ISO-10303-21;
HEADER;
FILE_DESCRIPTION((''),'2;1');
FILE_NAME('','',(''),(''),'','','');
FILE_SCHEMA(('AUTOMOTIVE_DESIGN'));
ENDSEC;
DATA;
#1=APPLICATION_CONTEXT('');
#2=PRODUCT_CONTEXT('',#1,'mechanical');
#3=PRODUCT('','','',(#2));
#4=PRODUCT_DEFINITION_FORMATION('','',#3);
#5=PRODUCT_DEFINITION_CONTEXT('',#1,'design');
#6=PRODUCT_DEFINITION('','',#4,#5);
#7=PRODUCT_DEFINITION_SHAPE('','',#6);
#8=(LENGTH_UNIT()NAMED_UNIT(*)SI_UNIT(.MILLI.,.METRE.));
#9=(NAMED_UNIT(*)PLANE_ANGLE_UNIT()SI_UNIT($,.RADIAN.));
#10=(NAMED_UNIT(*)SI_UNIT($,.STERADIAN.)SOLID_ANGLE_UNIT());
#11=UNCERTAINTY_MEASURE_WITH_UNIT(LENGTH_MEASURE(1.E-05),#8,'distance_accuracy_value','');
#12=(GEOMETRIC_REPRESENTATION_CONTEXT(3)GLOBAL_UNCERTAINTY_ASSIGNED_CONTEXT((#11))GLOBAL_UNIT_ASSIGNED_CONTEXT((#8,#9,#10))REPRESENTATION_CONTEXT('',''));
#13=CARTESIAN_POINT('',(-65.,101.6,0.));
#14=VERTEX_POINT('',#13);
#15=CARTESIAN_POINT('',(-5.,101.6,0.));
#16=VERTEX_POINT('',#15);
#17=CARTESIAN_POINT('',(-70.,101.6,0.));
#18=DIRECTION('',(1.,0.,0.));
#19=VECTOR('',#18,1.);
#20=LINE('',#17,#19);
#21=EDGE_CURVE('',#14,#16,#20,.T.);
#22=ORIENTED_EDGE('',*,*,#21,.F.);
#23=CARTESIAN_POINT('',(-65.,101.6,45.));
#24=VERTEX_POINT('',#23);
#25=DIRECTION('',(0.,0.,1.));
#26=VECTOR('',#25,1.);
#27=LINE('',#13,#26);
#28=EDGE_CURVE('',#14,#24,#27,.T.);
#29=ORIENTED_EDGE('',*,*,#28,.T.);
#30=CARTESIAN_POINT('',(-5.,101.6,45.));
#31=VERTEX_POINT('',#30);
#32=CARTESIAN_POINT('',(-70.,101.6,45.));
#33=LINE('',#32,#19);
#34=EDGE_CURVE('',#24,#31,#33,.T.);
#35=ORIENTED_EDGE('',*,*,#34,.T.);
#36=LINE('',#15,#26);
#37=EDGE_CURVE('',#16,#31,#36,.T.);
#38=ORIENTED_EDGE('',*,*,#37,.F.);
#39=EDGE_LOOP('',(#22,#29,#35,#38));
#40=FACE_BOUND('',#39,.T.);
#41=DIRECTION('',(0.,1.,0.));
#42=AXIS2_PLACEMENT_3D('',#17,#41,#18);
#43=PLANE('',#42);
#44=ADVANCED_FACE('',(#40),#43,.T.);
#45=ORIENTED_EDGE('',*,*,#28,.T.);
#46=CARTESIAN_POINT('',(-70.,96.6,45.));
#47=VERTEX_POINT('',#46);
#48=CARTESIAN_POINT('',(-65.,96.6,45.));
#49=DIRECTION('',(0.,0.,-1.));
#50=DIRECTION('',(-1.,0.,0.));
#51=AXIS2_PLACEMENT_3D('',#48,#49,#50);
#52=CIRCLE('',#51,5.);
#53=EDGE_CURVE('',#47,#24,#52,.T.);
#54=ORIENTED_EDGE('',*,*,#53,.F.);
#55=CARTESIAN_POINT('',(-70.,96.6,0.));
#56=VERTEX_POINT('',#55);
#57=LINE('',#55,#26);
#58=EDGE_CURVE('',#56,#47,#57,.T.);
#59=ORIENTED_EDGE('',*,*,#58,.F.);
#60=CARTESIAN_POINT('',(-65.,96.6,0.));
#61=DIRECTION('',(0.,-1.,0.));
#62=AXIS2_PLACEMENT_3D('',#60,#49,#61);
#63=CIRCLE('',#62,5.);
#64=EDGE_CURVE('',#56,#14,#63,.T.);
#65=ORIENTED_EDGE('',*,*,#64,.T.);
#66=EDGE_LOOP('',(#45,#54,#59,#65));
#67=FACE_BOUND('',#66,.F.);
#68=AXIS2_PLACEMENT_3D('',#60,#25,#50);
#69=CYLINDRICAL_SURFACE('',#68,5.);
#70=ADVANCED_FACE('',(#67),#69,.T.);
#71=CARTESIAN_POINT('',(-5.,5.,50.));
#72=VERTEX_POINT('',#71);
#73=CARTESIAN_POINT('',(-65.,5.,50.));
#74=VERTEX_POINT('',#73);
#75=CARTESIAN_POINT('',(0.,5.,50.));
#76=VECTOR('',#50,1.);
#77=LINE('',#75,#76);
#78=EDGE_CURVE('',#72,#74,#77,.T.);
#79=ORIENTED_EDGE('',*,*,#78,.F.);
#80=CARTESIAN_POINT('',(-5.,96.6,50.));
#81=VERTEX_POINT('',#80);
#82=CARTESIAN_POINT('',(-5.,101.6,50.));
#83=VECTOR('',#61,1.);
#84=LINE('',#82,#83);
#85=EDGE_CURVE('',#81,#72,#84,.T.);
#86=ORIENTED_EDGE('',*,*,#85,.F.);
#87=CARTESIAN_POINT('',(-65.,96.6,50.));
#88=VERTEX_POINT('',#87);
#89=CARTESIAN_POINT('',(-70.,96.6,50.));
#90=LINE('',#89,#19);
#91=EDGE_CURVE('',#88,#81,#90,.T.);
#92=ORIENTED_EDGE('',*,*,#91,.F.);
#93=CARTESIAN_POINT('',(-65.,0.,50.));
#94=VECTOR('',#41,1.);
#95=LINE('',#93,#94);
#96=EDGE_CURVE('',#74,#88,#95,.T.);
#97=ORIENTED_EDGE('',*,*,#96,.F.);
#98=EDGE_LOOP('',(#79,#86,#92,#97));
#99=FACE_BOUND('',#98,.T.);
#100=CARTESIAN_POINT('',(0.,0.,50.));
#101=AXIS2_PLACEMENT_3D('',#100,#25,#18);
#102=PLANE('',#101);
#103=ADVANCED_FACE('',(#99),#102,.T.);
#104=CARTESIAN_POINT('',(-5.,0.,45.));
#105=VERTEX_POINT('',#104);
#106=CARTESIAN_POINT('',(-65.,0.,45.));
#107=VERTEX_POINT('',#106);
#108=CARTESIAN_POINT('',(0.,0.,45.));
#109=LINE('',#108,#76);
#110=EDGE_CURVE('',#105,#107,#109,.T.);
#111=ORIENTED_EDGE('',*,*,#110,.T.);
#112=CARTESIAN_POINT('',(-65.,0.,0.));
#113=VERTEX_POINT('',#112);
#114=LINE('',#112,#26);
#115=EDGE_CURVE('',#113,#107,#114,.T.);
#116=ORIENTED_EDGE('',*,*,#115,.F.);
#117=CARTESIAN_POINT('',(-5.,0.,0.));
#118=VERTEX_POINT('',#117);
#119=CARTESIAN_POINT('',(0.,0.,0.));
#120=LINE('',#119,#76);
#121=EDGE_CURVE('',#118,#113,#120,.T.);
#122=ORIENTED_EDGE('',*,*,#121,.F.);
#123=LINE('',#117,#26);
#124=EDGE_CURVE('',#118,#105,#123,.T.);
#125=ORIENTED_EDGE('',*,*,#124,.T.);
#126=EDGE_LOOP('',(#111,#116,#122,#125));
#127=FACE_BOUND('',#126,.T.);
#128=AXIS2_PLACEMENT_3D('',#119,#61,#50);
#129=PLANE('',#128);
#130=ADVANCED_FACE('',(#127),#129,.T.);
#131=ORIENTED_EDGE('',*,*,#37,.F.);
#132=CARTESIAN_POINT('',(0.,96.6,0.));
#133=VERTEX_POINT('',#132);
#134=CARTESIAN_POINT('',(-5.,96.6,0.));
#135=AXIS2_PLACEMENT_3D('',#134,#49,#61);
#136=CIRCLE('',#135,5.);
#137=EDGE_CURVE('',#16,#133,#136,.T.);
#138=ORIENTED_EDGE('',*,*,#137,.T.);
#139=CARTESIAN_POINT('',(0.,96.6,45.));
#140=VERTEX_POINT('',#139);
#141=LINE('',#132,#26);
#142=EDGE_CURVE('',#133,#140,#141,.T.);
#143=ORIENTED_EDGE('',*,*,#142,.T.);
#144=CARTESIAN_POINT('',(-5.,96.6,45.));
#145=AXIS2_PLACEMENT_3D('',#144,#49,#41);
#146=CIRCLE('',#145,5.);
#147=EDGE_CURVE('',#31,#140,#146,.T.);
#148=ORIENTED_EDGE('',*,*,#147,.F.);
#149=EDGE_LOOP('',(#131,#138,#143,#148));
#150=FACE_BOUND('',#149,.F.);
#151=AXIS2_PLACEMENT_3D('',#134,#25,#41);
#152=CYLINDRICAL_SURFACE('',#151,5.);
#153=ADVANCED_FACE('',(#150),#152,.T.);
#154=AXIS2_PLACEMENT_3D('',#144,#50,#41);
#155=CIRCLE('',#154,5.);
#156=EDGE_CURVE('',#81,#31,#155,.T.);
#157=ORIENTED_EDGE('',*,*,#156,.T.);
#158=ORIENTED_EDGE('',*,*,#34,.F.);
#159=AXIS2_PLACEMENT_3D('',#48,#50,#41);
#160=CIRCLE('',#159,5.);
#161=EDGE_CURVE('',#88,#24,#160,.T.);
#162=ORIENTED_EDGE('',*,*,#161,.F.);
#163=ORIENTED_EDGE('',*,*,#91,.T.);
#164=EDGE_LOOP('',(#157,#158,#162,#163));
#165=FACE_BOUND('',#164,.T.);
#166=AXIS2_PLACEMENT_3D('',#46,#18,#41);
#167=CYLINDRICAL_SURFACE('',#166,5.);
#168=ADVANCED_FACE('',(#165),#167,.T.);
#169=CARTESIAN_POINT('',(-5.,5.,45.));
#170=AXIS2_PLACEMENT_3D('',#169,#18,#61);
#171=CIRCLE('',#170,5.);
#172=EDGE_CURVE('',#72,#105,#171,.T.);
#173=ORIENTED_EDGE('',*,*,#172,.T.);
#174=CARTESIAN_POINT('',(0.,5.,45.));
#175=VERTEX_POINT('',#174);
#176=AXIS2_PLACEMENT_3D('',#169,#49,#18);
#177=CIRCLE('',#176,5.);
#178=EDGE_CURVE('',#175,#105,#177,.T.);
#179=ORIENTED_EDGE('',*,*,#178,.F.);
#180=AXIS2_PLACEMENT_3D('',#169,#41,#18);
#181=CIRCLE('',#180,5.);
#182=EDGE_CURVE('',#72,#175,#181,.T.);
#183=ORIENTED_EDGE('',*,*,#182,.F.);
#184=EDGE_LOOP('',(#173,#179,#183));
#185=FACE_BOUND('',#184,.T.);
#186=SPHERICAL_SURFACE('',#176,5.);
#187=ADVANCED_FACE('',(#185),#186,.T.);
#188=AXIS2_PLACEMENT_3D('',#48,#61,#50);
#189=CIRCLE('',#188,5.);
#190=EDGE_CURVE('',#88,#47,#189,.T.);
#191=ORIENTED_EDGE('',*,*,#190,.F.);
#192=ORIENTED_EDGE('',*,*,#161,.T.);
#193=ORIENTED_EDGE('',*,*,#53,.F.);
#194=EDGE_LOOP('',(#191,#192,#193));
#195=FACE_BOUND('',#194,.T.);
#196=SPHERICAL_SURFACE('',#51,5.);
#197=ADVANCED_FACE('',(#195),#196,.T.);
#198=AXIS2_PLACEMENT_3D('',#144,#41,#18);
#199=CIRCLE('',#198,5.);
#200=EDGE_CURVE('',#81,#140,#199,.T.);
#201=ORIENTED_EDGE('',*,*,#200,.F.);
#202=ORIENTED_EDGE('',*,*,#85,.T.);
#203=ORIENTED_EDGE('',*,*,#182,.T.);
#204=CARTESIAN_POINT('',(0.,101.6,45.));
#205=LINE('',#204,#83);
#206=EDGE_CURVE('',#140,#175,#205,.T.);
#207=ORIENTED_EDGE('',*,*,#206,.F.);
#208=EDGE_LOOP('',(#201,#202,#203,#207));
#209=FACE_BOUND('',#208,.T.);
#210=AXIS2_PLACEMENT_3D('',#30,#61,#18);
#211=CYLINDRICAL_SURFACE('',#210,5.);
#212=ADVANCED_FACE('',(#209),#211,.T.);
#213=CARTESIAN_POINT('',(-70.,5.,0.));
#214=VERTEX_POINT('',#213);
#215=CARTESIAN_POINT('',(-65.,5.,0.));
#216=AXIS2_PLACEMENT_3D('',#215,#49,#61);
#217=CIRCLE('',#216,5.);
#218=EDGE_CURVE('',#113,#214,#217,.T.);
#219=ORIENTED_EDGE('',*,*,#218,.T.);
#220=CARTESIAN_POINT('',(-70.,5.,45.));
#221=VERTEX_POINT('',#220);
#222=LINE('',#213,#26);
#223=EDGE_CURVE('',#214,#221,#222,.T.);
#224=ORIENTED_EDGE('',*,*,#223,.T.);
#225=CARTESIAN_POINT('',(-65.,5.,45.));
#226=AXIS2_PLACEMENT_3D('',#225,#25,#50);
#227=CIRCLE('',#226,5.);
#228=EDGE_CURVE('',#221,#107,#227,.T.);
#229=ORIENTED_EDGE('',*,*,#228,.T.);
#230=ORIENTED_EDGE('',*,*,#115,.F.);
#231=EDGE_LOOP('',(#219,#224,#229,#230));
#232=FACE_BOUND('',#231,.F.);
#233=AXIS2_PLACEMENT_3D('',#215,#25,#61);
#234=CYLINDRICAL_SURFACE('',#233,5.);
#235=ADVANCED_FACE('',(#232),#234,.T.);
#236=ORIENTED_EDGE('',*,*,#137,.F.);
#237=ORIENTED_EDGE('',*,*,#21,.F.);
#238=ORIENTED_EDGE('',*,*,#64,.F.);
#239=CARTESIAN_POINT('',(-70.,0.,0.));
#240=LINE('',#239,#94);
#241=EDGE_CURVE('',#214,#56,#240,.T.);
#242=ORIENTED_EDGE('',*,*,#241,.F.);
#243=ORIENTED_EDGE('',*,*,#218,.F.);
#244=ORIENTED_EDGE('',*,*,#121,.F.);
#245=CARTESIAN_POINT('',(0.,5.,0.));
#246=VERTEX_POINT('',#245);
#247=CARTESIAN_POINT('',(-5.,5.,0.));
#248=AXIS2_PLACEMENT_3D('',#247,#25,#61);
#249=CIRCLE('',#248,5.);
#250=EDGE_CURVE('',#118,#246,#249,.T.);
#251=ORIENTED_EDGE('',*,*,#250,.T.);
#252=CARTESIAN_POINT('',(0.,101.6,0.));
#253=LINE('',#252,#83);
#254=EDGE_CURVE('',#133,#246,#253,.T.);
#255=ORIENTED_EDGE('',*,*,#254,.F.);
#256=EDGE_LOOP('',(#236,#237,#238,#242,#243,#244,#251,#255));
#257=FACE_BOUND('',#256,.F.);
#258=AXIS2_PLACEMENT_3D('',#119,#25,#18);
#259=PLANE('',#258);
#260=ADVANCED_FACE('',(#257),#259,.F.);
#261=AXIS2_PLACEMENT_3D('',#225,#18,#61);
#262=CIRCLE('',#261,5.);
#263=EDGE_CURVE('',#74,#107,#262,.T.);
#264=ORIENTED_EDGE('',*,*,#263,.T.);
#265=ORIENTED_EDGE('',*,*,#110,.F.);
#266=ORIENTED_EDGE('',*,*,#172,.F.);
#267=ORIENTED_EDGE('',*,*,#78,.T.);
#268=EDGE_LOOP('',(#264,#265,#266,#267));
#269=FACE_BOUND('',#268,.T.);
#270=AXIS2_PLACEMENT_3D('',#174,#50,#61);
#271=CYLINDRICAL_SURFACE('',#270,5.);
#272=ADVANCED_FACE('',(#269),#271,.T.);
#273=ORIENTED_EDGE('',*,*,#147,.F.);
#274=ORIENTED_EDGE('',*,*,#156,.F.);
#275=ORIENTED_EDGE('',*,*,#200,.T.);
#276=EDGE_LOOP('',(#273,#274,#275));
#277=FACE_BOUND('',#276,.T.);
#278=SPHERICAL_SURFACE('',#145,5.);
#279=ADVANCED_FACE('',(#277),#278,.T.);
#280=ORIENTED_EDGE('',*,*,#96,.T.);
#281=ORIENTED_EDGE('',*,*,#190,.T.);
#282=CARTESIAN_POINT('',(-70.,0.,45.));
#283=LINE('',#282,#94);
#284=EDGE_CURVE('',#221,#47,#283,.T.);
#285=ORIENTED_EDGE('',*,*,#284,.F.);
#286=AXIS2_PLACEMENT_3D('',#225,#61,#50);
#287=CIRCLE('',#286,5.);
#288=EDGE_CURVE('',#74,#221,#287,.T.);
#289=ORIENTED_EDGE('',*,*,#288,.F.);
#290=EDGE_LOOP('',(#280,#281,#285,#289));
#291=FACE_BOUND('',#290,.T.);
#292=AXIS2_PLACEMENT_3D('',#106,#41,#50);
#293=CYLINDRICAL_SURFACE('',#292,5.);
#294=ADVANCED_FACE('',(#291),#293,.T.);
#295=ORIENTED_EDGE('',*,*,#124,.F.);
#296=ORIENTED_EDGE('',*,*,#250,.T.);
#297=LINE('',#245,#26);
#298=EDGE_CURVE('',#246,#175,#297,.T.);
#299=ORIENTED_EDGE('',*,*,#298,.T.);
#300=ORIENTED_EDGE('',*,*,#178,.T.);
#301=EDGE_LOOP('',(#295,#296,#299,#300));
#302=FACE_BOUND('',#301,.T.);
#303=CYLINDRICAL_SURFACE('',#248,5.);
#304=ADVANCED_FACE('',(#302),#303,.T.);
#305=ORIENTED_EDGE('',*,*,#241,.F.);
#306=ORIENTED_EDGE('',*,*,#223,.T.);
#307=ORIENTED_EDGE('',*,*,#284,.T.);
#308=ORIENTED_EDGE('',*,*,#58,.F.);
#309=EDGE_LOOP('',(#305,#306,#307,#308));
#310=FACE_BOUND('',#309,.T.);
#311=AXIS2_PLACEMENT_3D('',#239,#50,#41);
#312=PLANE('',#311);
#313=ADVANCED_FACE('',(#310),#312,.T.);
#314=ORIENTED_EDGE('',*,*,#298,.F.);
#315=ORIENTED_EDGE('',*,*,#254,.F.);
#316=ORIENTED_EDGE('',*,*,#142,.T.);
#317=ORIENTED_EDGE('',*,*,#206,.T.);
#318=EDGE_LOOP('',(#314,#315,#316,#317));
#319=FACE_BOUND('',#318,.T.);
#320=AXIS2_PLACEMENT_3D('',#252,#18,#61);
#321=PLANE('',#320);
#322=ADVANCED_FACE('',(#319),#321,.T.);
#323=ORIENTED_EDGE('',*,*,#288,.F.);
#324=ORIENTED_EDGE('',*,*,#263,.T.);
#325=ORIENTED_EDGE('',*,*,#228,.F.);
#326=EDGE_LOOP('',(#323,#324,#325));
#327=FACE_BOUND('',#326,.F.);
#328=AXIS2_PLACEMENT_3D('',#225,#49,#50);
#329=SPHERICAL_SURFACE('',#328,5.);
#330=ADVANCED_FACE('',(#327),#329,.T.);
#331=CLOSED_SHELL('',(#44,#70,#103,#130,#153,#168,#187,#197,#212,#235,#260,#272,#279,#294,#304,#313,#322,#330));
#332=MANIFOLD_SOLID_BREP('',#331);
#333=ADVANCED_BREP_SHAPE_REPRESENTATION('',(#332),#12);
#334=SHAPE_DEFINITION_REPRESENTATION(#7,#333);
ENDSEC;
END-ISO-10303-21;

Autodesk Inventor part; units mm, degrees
ref_plane "YZ Plane" through (0, 0, 0) normal (1, 0, 0) x (0, 1, 0)
ref_plane "XZ Plane" through (0, 0, 0) normal (0, 1, 0) x (-1, 0, 0)
ref_plane "XY Plane" through (0, 0, 0) normal (0, 0, 1) x (1, 0, 0)
sketch "Sketch1" plane through (0, 0, 0) normal (0, 0, 1) x (1, 0, 0)
  line L0 (0, 0) -> (-70, 0)
  line L1 (-70, 0) -> (-70, 101.6)
  line L2 (-70, 101.6) -> (0, 101.6)
  line L3 (0, 101.6) -> (0, 0)
  dimension "d0" = 70
  dimension "d1" = 101.6
extrude "Extrusion1" add sketch "Sketch1" along normal blind 50
fillet "Fillet1" radius 5 8 edges at (-70, 0, 25) (0, 0, 25) (-70, 101.6, 25) (0, 101.6, 25) (-70, 50.8, 50) (-35, 101.6, 50) (0, 50.8, 50) (-35, 0, 50)
sketch "Sketch2" plane through (0, 0, 50) normal (0, 0, 1) x (1, 0, 0)
  point P0 (0, 0)
properties part number "box" material "Glass"
